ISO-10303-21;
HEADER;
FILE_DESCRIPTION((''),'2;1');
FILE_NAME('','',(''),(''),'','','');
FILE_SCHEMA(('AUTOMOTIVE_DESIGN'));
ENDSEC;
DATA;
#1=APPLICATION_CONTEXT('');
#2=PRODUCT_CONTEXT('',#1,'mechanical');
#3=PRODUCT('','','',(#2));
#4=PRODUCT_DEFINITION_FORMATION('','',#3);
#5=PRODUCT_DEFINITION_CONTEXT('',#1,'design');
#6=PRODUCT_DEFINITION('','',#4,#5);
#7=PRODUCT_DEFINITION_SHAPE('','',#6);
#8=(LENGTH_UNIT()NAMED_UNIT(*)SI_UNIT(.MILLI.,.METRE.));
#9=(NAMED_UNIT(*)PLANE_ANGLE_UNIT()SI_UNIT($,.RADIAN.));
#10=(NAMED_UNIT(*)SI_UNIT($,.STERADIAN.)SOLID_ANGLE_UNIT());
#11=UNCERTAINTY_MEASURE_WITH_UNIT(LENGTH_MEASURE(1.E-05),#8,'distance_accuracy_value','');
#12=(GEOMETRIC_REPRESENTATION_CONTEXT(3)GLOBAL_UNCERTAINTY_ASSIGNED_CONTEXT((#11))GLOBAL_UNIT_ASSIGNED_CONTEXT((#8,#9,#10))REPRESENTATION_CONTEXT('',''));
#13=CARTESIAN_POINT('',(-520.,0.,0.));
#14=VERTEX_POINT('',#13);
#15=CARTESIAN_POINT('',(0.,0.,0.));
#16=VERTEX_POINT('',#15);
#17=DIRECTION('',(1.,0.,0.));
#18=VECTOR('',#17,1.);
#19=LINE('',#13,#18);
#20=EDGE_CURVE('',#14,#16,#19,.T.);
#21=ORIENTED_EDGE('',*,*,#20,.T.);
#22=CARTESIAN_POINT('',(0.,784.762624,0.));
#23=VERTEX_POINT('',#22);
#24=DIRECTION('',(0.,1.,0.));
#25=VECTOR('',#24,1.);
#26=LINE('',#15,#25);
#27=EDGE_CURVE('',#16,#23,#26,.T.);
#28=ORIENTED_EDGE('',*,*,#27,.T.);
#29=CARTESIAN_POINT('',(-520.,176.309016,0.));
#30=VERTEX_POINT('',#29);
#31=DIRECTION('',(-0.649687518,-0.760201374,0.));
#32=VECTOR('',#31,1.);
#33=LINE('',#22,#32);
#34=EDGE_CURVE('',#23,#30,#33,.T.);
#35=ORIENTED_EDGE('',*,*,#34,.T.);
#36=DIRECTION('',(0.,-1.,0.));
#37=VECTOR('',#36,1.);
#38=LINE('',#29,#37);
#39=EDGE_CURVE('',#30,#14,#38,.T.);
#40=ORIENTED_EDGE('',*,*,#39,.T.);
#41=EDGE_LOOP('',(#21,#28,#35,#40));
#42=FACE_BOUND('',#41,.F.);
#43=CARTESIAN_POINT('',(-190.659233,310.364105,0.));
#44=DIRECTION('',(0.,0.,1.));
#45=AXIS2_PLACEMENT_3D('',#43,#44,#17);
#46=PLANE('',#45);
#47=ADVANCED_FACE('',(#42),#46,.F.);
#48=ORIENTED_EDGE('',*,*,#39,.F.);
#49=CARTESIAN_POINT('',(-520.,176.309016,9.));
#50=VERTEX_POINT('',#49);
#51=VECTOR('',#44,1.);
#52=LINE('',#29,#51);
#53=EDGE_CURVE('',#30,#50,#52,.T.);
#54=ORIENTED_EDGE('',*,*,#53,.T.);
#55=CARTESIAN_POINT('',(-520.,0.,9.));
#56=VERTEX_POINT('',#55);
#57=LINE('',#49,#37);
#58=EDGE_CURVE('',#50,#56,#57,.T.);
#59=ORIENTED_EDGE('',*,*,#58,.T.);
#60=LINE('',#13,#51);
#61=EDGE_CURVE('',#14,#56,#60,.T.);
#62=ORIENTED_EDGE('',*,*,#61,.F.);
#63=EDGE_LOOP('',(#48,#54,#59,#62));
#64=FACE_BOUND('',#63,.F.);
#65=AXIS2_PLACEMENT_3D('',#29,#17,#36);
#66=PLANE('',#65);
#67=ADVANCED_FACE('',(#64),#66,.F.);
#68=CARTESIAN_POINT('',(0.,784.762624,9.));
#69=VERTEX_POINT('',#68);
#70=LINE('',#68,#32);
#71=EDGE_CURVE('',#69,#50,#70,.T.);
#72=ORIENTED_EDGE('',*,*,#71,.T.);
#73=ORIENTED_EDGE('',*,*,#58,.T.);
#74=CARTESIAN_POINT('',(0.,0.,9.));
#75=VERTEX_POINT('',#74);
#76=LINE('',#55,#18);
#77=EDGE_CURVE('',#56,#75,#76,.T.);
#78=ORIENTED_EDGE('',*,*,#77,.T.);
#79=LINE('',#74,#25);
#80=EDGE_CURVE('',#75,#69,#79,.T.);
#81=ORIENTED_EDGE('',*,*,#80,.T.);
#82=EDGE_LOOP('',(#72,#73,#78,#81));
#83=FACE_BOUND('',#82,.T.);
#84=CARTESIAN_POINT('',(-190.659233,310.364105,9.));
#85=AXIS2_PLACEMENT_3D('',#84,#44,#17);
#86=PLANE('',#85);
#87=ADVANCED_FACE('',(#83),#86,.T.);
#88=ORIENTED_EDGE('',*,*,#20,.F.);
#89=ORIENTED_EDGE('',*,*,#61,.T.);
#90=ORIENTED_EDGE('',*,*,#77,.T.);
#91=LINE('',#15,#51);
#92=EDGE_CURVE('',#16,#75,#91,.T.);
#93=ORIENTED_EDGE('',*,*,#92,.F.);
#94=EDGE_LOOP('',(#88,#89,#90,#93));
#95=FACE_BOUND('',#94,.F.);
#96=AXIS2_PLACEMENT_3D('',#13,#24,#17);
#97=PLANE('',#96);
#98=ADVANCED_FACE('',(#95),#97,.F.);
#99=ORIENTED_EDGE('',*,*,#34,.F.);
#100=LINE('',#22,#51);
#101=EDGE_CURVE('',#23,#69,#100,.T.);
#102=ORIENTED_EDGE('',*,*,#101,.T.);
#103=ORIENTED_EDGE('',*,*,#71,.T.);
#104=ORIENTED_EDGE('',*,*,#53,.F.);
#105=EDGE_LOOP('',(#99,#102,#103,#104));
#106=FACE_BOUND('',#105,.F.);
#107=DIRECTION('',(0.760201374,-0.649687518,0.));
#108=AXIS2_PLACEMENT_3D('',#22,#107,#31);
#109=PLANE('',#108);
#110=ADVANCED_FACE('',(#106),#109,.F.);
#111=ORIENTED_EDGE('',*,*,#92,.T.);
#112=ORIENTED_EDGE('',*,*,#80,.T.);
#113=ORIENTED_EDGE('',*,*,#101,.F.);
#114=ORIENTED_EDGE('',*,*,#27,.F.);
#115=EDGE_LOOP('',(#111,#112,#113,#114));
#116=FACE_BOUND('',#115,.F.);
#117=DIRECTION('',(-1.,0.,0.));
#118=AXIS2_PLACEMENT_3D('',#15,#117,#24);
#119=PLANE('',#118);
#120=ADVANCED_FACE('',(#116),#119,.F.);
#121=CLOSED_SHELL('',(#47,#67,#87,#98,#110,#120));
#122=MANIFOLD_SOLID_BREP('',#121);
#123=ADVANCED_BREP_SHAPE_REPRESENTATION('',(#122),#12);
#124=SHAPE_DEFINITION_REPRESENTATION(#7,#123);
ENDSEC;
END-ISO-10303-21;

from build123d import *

# Parameters (mm, degrees)
PAD_DEPTH = 9


with BuildPart() as part:
    # Sketch → Pad (new body)
    with BuildSketch(Plane.XY):
        Polygon((0, 0), (0, 784.762624), (-520, 176.309016), (-520, 0), align=None)
    extrude(amount=PAD_DEPTH)


solid = part.part
